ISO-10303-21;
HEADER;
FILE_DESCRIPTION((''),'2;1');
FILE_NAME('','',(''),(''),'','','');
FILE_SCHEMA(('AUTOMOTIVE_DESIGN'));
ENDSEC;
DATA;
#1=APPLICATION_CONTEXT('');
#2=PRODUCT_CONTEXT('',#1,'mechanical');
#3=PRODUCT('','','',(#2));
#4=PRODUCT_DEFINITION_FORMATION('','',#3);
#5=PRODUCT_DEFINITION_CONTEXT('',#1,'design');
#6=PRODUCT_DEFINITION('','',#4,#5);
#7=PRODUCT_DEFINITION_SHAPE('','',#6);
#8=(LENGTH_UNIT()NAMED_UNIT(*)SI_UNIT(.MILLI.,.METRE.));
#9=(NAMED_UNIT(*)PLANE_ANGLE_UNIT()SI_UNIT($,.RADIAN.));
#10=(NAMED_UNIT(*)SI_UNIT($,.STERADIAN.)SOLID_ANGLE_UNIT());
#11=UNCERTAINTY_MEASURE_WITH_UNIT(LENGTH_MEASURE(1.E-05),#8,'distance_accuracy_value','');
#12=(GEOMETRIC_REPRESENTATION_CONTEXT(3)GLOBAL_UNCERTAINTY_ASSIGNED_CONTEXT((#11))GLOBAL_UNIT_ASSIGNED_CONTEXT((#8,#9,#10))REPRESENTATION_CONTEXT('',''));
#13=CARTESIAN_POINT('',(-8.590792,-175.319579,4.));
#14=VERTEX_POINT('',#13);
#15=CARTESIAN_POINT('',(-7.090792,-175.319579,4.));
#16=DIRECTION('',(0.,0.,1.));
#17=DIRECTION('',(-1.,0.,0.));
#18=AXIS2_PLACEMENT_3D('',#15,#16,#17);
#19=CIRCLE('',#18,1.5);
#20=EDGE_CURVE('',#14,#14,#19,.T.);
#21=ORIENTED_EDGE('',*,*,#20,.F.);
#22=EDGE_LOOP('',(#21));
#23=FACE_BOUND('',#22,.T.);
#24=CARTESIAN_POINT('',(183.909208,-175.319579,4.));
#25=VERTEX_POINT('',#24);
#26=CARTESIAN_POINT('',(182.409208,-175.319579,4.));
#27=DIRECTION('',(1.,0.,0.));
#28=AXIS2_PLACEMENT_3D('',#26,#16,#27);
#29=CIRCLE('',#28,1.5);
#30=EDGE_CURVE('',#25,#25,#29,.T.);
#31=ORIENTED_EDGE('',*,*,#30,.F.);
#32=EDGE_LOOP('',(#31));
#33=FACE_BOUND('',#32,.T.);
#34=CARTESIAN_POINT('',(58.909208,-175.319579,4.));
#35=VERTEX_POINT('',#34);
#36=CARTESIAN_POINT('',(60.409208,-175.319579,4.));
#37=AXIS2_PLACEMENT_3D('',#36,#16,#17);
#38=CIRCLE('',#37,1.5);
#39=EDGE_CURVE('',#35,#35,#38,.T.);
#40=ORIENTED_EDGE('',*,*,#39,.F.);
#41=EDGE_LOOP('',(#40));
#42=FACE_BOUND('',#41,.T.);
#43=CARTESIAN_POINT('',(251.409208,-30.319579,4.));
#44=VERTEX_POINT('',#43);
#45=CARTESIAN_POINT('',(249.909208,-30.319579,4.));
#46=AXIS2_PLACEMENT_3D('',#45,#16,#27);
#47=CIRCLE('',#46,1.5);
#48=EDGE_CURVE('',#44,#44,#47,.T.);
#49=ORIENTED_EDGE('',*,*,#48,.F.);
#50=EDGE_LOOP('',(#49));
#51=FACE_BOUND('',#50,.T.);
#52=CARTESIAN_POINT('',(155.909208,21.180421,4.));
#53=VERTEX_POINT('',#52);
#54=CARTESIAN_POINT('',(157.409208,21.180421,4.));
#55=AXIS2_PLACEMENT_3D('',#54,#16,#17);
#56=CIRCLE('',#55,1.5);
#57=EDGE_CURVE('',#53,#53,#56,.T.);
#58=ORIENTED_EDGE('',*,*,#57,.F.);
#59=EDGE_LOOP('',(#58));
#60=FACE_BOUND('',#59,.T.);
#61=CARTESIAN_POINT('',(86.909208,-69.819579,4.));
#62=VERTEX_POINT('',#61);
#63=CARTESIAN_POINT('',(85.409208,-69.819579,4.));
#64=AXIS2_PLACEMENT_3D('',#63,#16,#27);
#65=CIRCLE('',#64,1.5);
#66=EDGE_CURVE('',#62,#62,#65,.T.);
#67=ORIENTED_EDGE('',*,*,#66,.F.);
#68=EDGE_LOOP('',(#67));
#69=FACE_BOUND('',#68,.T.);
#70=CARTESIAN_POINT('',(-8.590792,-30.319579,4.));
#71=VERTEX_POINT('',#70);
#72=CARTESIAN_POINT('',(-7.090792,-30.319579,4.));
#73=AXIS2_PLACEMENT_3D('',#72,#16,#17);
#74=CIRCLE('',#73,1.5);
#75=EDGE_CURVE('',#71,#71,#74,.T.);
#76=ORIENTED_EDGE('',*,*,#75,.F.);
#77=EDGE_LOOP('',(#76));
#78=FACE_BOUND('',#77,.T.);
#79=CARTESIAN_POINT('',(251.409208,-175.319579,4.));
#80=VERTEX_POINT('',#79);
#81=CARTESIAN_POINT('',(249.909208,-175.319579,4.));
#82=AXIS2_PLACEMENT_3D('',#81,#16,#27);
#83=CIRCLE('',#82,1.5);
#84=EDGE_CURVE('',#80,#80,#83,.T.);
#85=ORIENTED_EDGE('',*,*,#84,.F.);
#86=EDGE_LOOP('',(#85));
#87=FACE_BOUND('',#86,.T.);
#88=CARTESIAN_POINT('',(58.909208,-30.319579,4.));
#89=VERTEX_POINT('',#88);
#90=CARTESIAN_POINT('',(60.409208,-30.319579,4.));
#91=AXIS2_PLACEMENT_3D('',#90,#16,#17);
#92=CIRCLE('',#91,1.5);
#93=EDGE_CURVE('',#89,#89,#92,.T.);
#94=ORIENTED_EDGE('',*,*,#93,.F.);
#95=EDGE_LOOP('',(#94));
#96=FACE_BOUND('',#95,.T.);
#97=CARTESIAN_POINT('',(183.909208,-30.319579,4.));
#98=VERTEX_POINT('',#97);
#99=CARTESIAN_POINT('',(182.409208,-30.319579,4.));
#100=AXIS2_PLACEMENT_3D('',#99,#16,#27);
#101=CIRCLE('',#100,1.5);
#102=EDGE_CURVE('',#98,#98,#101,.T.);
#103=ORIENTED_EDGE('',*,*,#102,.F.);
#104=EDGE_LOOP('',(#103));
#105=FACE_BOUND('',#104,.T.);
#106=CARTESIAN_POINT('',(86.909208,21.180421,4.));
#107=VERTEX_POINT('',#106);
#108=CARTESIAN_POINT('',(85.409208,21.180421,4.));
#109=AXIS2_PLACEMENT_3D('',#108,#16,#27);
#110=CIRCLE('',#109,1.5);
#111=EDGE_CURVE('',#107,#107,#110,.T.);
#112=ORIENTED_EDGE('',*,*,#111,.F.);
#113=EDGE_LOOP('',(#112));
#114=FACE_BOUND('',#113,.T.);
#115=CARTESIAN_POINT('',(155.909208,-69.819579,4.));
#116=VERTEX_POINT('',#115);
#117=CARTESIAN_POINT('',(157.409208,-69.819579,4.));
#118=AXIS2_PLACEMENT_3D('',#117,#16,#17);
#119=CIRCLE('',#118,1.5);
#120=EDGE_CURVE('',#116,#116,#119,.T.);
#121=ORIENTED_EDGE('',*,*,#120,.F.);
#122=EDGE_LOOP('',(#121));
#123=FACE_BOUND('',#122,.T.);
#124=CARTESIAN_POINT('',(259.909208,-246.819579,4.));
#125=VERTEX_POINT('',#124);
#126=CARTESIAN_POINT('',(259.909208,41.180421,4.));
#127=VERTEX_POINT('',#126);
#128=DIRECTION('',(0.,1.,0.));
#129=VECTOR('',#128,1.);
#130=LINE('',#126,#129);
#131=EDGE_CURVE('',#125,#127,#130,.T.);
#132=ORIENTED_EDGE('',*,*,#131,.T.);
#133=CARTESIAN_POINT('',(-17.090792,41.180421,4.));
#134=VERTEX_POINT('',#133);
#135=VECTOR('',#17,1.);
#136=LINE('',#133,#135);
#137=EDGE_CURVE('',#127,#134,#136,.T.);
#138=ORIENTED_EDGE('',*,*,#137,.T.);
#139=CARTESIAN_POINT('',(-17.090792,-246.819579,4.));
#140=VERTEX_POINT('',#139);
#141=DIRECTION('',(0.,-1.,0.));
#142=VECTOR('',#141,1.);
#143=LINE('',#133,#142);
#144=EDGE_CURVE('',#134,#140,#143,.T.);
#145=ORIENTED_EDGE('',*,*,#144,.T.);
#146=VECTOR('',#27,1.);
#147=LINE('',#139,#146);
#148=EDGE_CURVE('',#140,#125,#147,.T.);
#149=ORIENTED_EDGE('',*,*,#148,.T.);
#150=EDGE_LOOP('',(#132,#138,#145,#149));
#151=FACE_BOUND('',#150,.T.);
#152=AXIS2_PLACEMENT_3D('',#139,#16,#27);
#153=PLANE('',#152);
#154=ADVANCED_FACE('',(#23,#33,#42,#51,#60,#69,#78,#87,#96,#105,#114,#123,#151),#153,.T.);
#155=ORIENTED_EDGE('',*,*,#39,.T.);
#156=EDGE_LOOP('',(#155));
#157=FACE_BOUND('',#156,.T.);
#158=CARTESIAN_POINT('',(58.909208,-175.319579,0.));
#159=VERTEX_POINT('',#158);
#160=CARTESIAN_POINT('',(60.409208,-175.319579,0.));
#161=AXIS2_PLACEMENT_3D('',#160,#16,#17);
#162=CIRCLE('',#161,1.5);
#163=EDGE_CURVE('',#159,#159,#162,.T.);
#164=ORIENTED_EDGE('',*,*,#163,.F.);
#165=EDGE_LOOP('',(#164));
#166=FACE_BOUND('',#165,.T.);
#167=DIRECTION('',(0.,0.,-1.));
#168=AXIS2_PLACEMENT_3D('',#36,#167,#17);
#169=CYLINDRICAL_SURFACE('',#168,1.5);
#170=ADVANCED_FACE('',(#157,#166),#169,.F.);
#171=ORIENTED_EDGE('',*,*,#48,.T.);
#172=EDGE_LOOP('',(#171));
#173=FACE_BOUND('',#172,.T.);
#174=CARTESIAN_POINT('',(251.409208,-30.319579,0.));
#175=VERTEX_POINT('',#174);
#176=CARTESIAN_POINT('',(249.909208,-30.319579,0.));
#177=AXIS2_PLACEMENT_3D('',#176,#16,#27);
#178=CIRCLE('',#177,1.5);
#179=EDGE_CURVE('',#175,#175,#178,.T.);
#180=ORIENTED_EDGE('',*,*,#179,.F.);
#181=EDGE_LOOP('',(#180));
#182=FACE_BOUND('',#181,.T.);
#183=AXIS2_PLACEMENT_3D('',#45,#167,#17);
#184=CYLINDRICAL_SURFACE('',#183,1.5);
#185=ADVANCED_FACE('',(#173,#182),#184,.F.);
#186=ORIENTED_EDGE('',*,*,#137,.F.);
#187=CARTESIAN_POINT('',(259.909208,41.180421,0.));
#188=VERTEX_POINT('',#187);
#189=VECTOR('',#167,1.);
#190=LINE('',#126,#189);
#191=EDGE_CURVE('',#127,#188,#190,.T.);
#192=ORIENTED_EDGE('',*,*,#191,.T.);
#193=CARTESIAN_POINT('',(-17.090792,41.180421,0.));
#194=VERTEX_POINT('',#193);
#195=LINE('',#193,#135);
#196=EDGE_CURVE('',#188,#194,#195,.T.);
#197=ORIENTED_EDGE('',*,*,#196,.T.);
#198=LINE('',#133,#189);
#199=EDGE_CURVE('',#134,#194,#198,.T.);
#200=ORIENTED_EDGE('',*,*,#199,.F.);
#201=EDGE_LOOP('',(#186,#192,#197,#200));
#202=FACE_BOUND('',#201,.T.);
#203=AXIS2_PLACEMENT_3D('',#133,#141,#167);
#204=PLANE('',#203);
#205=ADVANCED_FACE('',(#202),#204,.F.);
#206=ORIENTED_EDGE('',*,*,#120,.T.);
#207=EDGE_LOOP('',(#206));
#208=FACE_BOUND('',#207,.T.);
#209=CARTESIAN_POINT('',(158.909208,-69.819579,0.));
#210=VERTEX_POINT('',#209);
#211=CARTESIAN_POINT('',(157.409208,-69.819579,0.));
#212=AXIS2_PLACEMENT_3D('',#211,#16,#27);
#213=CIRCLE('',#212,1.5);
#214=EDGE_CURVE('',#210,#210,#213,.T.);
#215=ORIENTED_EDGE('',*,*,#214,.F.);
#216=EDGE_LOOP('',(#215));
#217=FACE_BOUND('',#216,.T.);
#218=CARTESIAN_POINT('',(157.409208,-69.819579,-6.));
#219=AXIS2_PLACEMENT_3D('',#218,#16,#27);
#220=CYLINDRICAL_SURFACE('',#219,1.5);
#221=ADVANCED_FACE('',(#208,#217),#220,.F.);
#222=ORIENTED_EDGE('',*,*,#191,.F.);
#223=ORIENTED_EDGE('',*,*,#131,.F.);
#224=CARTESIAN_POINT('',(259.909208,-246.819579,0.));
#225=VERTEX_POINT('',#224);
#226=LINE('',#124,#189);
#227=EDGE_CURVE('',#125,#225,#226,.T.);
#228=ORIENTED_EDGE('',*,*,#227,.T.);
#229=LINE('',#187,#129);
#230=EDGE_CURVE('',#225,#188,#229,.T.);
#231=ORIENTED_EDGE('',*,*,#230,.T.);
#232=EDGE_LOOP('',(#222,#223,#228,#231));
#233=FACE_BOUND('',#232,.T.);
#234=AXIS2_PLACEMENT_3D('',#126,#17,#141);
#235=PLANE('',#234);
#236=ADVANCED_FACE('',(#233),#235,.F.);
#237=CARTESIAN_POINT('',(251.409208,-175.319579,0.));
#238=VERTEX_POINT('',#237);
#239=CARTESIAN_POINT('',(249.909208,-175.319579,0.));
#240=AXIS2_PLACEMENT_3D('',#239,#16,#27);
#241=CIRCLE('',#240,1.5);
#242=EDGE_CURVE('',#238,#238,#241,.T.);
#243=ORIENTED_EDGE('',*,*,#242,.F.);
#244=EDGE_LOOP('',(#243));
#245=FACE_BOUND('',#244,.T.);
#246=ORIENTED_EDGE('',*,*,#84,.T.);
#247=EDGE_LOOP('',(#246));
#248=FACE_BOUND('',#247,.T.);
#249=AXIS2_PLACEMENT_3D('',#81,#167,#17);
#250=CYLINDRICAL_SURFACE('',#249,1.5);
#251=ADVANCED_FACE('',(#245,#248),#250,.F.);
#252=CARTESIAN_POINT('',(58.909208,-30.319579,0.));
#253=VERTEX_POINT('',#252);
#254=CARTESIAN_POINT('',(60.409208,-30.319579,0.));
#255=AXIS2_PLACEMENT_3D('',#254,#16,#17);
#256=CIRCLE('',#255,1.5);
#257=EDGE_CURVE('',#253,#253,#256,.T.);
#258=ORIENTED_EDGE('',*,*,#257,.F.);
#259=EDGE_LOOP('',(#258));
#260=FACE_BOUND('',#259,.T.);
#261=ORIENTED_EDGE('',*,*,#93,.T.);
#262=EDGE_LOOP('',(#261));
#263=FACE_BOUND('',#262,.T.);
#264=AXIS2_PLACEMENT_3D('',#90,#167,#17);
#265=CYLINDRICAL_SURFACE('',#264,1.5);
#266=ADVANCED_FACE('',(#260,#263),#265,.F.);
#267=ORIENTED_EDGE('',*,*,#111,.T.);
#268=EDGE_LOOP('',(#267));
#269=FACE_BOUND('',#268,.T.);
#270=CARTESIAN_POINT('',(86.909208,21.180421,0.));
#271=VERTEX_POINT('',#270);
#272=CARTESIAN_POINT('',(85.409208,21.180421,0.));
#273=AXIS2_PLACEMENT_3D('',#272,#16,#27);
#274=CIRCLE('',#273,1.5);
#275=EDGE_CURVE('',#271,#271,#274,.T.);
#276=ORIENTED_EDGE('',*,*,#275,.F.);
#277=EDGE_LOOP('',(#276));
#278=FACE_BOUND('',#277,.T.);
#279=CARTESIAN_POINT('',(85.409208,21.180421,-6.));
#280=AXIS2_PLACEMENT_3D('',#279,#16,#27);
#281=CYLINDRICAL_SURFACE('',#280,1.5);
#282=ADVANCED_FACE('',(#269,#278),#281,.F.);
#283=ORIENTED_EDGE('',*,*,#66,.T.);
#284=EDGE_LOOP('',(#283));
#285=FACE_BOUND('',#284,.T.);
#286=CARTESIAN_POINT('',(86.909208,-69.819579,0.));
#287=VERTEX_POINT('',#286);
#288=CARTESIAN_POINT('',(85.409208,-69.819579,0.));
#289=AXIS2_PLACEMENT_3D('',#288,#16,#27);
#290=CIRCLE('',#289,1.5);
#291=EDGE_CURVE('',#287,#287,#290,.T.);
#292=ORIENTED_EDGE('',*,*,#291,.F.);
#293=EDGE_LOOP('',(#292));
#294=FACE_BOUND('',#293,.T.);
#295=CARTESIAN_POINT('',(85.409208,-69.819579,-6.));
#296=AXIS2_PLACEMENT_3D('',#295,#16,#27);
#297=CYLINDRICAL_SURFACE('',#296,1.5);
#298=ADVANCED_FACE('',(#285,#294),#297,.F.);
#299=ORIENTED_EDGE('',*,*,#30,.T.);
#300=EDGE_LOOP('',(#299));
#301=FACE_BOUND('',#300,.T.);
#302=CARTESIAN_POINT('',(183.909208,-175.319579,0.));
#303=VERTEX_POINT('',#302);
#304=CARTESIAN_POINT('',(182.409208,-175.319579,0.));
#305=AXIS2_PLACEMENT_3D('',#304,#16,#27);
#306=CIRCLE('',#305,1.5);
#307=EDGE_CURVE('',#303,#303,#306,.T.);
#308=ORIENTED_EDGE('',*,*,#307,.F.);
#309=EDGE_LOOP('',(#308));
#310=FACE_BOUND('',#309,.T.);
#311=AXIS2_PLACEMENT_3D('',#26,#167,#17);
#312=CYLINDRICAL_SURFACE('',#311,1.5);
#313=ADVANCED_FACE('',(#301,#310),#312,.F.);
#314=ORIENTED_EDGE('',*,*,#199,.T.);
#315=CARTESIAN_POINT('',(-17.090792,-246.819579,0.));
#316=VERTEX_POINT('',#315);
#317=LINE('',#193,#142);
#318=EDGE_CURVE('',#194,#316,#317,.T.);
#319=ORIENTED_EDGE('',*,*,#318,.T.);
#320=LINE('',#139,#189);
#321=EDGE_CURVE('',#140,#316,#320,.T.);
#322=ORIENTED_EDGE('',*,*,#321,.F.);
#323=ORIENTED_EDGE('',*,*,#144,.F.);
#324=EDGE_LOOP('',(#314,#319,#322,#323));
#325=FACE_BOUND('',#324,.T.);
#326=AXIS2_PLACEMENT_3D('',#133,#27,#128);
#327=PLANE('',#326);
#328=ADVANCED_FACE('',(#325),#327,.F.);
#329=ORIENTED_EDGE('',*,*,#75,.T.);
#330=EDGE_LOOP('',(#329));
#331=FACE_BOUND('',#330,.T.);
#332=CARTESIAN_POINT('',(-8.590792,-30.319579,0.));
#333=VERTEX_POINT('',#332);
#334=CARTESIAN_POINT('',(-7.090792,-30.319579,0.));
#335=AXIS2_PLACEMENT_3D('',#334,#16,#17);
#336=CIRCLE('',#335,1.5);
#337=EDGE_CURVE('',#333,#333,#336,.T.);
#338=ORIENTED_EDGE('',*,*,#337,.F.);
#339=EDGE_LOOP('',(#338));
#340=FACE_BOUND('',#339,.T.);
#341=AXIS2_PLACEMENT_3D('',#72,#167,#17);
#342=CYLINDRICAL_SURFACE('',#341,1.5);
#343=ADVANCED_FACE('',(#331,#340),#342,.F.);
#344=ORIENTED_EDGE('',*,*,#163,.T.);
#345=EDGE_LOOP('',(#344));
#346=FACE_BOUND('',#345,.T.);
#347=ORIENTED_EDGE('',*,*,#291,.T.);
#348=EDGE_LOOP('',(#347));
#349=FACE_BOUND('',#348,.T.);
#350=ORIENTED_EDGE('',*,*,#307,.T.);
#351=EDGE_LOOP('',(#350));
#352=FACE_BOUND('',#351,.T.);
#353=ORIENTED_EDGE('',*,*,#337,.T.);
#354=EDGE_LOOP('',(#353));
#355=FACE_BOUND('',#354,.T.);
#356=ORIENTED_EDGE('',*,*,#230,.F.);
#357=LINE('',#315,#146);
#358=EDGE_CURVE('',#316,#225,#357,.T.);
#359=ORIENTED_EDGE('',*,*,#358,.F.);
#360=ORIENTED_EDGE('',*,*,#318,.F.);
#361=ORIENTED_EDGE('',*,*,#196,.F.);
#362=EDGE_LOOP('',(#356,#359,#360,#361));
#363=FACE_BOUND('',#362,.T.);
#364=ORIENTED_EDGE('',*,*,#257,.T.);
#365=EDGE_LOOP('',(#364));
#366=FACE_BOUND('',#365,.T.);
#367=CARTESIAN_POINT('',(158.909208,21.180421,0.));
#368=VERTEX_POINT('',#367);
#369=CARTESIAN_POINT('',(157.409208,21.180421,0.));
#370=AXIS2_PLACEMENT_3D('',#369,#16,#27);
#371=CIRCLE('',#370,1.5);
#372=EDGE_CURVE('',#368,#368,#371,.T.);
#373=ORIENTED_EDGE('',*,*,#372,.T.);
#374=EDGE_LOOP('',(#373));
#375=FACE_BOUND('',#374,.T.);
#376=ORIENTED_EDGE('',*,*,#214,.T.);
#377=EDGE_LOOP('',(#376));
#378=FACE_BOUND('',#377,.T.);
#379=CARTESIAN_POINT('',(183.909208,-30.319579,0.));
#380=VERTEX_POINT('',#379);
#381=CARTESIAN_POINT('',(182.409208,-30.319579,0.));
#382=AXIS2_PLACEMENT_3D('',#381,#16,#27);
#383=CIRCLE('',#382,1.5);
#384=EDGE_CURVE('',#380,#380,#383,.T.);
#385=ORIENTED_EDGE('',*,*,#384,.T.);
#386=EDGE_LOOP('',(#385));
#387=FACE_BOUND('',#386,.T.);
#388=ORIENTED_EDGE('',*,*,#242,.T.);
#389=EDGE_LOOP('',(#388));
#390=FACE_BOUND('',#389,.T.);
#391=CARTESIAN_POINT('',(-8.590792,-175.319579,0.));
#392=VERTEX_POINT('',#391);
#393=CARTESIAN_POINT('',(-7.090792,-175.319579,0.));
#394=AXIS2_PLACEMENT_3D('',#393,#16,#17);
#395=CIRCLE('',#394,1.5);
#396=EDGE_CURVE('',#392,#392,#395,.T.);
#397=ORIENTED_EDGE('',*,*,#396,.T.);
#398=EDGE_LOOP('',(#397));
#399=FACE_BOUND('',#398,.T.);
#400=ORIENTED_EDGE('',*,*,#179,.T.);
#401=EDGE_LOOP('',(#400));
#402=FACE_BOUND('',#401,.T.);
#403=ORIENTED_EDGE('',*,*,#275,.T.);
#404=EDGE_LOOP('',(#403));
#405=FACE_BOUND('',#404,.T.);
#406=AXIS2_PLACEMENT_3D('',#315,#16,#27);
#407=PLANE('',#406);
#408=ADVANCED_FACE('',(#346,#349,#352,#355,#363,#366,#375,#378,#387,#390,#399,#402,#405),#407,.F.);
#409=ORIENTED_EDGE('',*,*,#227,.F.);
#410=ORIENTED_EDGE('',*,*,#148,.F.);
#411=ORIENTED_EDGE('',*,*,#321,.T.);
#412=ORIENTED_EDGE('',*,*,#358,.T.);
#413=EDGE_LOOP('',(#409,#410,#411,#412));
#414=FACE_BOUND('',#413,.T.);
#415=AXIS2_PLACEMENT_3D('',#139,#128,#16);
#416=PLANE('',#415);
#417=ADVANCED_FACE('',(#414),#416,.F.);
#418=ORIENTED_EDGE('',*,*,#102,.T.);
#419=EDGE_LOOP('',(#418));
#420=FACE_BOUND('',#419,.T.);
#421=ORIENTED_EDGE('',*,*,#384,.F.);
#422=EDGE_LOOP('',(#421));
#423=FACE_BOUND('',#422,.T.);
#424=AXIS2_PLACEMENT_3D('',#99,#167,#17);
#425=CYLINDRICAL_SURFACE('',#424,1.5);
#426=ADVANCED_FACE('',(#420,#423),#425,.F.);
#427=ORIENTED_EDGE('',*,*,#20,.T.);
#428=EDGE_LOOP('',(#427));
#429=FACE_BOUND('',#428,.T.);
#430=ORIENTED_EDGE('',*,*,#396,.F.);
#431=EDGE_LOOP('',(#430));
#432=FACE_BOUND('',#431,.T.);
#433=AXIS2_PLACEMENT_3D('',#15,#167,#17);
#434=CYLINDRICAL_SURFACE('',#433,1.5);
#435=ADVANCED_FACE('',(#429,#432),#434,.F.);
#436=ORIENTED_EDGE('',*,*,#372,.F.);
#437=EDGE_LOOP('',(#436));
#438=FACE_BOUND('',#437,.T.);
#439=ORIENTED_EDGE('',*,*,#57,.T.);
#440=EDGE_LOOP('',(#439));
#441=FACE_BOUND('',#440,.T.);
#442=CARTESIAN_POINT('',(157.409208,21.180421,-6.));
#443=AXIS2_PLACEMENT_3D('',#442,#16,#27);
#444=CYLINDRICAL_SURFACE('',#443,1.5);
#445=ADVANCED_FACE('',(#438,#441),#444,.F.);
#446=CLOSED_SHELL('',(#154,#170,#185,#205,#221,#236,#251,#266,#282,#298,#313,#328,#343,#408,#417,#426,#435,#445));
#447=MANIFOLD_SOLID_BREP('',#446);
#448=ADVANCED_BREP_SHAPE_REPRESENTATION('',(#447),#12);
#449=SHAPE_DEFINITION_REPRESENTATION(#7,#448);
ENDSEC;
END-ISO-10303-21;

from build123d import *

# Parameters (mm, degrees)
ESQUISSE1_W      = 277
ESQUISSE1_H      = 288
ESQUISSE1_R      = 1.5
EXTRUSION1_DEPTH = 4
ESQUISSE2_R      = 1.5
EXTRUSION2_DEPTH = 10


with BuildPart() as part:
    # Esquisse1 → Extrusion1 (new body)
    with BuildSketch(Plane.XY):
        with Locations((121.409208357, -102.819578947)):
            Rectangle(ESQUISSE1_W, ESQUISSE1_H)
        with Locations((182.409208357, -175.319578947)):
            Circle(ESQUISSE1_R, mode=Mode.SUBTRACT)
        with Locations((182.409208357, -30.319578947)):
            Circle(ESQUISSE1_R, mode=Mode.SUBTRACT)
        with Locations((249.909208357, -30.319578947)):
            Circle(ESQUISSE1_R, mode=Mode.SUBTRACT)
        with Locations((249.909208357, -175.319578947)):
            Circle(ESQUISSE1_R, mode=Mode.SUBTRACT)
        with Locations(Location((-7.090791643, -175.319578947, 0), (0, 0, 180))):
            Circle(ESQUISSE1_R, mode=Mode.SUBTRACT)
        with Locations(Location((-7.090791643, -30.319578947, 0), (0, 0, 180))):
            Circle(ESQUISSE1_R, mode=Mode.SUBTRACT)
        with Locations(Location((60.409208357, -30.319578947, 0), (0, 0, 180))):
            Circle(ESQUISSE1_R, mode=Mode.SUBTRACT)
        with Locations(Location((60.409208357, -175.319578947, 0), (0, 0, 180))):
            Circle(ESQUISSE1_R, mode=Mode.SUBTRACT)
    extrude(amount=EXTRUSION1_DEPTH)

    # Esquisse2 → Extrusion2 (cut)
    with BuildSketch(Plane.XY.offset(4)):
        with Locations((85.409208357, 21.180421053)):
            Circle(ESQUISSE2_R)
        with Locations((85.409208357, -69.819578947)):
            Circle(ESQUISSE2_R)
        with Locations((157.409208357, -69.819578947)):
            Circle(ESQUISSE2_R)
        with Locations((157.409208357, 21.180421053)):
            Circle(ESQUISSE2_R)
    extrude(amount=-EXTRUSION2_DEPTH, mode=Mode.SUBTRACT)


solid = part.part
